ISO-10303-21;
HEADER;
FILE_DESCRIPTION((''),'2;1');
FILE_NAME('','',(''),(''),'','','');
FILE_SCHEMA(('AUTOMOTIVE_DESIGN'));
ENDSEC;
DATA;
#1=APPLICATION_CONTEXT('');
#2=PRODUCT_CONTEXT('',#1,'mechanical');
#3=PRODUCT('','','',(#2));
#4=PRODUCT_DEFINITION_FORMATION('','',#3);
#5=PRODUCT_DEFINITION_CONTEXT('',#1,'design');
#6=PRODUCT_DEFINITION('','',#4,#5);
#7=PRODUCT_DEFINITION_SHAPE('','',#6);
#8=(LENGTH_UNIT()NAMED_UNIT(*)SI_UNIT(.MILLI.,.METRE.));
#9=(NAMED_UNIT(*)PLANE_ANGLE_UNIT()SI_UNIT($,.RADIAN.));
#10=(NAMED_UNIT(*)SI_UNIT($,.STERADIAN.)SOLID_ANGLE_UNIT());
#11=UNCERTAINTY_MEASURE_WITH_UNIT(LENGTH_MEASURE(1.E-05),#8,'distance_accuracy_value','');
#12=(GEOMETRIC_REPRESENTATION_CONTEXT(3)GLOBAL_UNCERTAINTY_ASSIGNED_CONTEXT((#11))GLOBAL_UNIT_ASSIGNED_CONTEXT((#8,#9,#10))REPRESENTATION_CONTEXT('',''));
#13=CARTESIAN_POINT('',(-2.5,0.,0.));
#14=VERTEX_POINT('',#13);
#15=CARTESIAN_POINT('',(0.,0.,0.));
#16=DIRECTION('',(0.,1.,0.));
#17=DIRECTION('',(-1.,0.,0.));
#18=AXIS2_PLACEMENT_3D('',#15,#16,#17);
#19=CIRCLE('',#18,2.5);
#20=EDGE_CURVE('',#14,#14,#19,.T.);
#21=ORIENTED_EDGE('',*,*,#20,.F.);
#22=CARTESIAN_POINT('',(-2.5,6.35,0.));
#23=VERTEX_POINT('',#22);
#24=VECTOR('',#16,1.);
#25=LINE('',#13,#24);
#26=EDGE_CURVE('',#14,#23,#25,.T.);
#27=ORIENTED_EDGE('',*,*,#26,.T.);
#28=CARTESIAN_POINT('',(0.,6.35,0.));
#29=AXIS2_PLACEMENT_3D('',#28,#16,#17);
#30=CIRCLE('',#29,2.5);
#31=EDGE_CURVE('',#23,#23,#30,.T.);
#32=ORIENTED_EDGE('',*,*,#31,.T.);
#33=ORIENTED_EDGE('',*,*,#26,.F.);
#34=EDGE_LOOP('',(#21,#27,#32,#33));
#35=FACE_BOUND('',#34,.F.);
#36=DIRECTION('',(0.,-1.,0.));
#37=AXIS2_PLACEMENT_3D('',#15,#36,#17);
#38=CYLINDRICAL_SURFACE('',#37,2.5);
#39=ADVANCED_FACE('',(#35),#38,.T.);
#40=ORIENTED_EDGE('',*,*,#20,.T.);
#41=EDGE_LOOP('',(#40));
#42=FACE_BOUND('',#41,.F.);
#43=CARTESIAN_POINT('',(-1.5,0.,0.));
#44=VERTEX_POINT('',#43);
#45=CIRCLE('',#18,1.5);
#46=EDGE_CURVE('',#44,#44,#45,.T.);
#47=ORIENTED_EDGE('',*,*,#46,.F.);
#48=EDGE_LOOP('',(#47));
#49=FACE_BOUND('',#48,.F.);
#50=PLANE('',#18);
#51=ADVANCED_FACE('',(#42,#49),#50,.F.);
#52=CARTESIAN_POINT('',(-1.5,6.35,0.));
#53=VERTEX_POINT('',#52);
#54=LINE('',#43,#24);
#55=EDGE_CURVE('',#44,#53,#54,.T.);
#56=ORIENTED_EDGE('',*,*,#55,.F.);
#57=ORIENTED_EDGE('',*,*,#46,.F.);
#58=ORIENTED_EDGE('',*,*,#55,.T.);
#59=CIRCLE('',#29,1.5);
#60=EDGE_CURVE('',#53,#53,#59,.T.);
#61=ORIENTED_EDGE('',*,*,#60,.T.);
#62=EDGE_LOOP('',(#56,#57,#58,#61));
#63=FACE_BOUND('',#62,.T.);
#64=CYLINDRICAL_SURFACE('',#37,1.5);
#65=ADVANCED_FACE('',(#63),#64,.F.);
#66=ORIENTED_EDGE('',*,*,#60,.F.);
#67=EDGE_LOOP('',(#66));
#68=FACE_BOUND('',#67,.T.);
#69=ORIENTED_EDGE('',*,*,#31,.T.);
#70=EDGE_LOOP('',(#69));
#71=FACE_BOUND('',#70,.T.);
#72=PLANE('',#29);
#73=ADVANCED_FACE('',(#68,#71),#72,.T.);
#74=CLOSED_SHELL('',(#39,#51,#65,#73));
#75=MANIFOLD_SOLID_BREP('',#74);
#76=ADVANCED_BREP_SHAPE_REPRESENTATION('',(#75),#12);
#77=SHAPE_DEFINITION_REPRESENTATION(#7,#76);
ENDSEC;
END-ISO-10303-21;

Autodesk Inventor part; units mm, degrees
ref_plane "YZ Plane" through (0, 0, 0) normal (1, 0, 0) x (0, 1, 0)
ref_plane "XZ Plane" through (0, 0, 0) normal (0, 1, 0) x (-1, 0, 0)
ref_plane "XY Plane" through (0, 0, 0) normal (0, 0, 1) x (1, 0, 0)
sketch "Sketch1" plane through (0, 0, 0) normal (0, 1, 0) x (-1, 0, 0)
  circle A0 centre (0, 0) radius 2.5
  circle A1 centre (0, 0) radius 1.5
  dimension "d0" = 5
  dimension "d1" = 3
extrude "Extrusion1" add sketch "Sketch1" along normal blind 6.35
properties part number "quarterin_spacer"
